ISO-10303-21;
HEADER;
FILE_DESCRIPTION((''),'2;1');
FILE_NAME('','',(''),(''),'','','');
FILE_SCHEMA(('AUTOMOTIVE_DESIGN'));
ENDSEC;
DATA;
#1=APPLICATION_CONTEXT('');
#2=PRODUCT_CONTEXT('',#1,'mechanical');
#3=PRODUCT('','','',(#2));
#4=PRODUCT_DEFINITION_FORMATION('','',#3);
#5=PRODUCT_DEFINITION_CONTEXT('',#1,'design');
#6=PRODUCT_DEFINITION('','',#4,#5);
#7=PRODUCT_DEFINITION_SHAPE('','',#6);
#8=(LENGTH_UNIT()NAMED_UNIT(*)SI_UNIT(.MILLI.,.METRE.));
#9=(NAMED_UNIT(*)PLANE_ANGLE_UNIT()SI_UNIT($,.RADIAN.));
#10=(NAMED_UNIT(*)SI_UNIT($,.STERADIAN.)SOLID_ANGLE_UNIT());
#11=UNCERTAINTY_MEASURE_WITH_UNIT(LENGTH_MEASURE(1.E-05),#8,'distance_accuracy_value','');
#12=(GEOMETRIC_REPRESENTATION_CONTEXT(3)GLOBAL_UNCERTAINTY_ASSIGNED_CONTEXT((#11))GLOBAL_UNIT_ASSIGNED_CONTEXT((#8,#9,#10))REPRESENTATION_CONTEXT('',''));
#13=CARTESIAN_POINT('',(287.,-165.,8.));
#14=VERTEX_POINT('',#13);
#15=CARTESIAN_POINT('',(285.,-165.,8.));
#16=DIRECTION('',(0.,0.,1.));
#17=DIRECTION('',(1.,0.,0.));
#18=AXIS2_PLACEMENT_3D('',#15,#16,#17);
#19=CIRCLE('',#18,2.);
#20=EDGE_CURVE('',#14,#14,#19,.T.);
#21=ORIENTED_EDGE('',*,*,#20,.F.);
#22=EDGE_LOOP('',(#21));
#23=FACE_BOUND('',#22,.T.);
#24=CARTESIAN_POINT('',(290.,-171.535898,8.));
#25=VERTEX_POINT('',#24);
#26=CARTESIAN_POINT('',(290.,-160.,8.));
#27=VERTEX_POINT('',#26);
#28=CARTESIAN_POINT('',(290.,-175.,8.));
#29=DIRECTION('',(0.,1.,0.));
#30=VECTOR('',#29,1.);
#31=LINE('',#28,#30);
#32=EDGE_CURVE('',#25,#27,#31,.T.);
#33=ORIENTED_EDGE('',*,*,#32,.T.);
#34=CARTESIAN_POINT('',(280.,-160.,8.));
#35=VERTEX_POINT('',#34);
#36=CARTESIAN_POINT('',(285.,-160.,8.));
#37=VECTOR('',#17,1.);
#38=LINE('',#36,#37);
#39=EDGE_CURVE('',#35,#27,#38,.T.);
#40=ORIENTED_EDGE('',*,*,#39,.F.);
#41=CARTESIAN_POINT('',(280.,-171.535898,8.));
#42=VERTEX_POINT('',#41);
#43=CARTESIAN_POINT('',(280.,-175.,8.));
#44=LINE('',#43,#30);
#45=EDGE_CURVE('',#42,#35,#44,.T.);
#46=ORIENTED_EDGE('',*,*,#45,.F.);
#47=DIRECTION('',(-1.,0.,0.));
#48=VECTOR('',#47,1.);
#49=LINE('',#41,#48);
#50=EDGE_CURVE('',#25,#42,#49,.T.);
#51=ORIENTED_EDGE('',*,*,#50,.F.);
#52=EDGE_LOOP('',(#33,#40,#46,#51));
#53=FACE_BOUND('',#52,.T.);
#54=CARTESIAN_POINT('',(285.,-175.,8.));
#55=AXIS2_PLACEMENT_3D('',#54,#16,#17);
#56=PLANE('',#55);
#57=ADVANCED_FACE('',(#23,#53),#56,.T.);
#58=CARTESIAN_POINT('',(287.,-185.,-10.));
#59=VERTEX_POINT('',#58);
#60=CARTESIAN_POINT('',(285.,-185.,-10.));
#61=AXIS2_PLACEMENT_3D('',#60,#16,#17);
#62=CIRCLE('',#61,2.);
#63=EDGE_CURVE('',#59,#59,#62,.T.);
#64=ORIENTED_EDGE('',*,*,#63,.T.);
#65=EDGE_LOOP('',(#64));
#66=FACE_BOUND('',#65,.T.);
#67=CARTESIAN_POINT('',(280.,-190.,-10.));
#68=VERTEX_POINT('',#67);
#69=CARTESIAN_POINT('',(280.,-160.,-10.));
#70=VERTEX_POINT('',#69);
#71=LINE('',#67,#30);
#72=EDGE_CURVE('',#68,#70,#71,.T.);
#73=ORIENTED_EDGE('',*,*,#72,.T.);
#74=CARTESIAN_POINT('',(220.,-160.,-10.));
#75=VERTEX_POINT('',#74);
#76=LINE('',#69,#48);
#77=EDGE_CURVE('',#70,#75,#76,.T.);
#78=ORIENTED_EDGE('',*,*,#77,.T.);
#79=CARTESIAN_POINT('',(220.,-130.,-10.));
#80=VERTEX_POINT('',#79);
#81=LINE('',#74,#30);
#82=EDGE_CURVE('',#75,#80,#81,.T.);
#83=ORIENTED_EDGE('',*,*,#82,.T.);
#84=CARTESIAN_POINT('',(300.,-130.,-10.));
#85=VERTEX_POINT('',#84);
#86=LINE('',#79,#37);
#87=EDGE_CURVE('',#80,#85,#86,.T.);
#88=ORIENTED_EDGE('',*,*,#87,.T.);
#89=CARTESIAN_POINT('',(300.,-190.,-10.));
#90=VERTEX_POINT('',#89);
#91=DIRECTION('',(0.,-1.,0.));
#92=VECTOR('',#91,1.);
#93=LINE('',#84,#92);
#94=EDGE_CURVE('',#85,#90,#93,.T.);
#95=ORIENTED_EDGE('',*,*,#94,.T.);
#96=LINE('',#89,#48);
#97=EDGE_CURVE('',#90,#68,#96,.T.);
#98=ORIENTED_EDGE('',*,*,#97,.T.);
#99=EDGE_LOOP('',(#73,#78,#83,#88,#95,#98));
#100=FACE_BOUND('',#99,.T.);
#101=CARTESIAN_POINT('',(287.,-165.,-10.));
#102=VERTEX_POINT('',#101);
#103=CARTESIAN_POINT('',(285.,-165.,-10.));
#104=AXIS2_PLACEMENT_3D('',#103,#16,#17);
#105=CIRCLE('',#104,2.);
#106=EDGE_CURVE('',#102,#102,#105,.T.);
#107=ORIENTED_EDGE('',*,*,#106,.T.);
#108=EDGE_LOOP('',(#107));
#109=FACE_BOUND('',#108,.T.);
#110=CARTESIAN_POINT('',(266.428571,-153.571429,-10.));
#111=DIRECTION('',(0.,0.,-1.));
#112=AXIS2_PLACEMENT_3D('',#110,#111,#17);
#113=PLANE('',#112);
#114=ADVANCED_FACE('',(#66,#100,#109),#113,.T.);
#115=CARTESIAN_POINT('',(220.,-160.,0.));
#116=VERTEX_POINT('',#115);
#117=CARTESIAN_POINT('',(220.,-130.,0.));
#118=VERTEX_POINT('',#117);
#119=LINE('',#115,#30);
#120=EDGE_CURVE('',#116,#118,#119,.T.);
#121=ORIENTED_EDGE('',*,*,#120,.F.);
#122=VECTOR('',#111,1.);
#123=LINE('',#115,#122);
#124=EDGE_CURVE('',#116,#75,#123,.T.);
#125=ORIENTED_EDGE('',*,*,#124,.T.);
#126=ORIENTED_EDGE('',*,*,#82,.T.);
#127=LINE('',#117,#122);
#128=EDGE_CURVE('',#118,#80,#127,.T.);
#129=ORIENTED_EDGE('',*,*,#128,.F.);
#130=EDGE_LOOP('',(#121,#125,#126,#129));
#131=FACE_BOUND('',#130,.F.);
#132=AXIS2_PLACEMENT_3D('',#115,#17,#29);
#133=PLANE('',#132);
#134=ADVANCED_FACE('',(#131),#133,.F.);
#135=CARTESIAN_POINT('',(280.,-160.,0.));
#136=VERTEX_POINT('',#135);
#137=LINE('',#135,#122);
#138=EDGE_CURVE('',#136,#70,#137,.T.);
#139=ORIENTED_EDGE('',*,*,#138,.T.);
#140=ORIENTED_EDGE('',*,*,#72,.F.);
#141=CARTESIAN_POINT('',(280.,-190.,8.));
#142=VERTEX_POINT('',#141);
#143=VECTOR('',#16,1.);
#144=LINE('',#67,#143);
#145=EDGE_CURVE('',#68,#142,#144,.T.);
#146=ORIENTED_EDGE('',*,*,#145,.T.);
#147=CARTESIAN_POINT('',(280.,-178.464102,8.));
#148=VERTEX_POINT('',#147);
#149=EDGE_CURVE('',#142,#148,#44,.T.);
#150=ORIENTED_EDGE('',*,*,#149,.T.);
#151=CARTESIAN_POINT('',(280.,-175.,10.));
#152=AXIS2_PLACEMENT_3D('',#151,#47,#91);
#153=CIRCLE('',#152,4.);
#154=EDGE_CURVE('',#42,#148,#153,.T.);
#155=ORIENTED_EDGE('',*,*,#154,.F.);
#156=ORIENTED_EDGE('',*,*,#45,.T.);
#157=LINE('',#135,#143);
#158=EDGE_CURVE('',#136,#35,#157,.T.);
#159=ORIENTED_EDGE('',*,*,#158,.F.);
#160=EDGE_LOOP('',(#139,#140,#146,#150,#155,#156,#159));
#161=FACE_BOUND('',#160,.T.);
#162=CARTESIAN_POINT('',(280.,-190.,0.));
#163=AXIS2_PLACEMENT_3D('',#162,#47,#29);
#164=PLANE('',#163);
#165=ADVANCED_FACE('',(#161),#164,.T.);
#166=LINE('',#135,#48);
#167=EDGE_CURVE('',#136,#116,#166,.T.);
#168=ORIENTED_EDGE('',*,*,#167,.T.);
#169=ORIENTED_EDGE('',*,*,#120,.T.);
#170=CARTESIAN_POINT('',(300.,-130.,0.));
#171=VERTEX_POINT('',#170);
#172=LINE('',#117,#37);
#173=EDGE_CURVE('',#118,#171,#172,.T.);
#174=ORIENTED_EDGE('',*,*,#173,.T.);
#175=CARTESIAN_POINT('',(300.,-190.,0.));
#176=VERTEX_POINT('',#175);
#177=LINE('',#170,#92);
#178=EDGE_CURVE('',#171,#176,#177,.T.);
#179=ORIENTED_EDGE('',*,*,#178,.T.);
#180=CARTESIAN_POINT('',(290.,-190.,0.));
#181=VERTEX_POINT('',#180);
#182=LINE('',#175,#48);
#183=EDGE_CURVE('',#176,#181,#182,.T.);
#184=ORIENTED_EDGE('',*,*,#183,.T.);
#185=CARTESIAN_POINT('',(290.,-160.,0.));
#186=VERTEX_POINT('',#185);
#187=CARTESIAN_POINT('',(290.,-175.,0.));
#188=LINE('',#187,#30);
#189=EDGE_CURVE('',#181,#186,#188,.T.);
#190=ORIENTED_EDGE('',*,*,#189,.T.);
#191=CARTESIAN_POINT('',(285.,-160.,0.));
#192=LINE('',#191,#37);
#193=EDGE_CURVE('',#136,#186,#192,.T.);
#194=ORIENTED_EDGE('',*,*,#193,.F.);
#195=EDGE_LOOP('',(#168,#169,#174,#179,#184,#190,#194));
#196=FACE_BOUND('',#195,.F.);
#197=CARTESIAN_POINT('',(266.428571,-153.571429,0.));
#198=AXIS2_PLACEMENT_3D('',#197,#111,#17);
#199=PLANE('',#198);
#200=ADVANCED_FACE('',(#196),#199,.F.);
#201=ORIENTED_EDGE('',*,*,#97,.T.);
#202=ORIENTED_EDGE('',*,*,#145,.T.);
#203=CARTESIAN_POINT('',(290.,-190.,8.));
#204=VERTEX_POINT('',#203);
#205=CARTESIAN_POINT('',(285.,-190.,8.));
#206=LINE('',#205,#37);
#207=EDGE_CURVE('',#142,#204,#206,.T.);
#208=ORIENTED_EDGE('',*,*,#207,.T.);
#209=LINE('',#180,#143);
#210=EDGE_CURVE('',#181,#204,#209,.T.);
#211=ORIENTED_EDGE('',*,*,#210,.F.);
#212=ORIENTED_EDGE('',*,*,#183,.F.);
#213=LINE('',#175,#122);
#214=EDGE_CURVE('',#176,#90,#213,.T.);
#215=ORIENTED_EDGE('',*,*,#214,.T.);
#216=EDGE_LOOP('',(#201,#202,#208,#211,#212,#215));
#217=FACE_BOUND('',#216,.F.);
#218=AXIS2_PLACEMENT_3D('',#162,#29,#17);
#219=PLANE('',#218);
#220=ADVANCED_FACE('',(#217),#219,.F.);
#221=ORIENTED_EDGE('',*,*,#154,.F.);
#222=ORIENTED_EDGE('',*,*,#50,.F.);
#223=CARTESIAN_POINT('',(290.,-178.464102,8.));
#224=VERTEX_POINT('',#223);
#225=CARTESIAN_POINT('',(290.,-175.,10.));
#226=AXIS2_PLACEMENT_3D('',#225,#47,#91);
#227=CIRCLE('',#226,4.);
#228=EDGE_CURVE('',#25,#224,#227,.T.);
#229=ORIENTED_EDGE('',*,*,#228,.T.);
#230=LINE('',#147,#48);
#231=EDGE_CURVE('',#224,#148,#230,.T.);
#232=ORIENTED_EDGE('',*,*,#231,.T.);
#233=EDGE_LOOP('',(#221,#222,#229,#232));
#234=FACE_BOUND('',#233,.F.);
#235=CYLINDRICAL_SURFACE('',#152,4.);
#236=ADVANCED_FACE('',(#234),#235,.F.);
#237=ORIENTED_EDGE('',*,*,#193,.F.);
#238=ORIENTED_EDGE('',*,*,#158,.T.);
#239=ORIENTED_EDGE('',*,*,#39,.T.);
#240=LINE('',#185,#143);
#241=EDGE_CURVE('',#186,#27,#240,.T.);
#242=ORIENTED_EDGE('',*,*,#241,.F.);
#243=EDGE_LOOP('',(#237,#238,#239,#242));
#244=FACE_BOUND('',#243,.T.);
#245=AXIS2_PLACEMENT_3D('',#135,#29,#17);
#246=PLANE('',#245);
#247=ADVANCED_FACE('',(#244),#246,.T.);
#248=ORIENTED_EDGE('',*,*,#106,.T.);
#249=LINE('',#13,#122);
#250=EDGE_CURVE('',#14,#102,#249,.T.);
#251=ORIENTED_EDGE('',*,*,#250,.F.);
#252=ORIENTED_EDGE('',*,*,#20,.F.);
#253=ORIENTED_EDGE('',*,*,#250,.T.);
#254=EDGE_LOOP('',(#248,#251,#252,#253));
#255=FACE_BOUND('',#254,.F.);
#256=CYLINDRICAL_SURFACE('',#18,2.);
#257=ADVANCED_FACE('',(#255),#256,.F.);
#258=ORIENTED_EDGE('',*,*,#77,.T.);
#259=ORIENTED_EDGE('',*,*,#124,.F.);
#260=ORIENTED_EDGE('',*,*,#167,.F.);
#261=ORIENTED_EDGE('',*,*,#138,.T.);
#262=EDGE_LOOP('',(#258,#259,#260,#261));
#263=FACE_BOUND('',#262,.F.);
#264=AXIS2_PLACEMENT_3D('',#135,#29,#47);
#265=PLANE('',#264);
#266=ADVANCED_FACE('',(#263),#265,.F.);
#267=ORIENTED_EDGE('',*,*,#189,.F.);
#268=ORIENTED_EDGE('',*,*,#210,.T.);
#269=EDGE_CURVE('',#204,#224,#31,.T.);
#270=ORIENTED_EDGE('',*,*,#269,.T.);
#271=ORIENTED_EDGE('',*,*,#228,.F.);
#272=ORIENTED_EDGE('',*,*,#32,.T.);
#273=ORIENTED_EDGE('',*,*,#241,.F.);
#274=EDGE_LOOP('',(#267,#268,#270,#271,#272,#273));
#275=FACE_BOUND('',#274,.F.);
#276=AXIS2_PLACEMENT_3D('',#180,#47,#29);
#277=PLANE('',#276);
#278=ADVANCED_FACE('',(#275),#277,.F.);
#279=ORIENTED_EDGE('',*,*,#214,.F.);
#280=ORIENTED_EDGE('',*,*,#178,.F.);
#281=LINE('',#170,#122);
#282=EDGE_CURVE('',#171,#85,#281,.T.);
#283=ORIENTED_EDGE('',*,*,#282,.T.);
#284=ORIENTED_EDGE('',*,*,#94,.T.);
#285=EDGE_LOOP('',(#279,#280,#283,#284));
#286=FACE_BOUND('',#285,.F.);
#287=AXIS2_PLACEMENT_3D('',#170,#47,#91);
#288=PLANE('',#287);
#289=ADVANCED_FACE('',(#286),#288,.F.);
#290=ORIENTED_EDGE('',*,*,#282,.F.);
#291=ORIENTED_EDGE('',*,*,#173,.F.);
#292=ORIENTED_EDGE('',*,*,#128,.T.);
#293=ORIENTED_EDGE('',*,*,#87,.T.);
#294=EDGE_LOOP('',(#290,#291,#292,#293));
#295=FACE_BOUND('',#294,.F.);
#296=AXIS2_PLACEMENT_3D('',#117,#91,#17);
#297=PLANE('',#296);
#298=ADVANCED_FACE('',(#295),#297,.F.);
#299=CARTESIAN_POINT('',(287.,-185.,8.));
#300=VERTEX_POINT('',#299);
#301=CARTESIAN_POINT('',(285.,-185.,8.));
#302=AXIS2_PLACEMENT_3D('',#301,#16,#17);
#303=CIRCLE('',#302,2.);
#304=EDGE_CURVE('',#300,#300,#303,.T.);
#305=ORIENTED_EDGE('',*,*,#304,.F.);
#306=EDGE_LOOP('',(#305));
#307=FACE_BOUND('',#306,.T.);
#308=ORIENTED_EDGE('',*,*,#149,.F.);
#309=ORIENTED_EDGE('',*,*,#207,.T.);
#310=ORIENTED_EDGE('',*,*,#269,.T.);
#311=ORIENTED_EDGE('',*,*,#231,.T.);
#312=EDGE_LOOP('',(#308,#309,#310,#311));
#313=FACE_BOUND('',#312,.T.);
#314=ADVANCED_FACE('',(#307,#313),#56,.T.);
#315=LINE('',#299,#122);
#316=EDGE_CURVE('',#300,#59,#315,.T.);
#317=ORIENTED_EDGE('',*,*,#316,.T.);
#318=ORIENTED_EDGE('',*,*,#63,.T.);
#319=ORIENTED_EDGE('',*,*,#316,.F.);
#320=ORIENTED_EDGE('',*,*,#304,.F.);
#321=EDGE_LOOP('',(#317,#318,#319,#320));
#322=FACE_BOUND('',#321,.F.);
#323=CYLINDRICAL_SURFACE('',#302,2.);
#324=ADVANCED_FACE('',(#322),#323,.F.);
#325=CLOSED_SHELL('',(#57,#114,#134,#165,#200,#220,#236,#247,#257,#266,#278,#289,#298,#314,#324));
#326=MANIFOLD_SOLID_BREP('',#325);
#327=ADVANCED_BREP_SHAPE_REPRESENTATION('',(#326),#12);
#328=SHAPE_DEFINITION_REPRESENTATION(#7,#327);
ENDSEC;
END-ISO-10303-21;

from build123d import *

# Parameters (mm, degrees)
PAD005_DEPTH    = 10
SKETCH009_W     = 10
SKETCH009_H     = 30
PAD006_DEPTH    = 8
SKETCH010_R     = 4
POCKET003_DEPTH = 10
SKETCH011_R     = 2
POCKET004_DEPTH = 20
SKETCH012_R     = 2
POCKET005_DEPTH = 20


with BuildPart() as part:
    # Sketch008 → Pad005 (new body)
    with BuildSketch(Plane(origin=(0, 0, 0), x_dir=(1, 0, 0), z_dir=(0, 0, -1))):
        Polygon((280, 160), (220, 160), (220, 130), (300, 130), (300, 190), (280, 190), align=None)
    extrude(amount=PAD005_DEPTH)

    # Sketch009 → Pad006 (new body)
    with BuildSketch(Plane.XY):
        with Locations((285, -175)):
            Rectangle(SKETCH009_W, SKETCH009_H)
    extrude(amount=PAD006_DEPTH)

    # Sketch010 → Pocket003 (cut)
    with BuildSketch(Plane(origin=(280, 0, 0), x_dir=(0, -1, 0), z_dir=(-1, 0, 0))):
        with Locations((175, 10)):
            Circle(SKETCH010_R)
    extrude(amount=-POCKET003_DEPTH, mode=Mode.SUBTRACT)

    # Sketch011 → Pocket004 (cut)
    with BuildSketch(Plane.XY.offset(8)):
        with Locations((285, -185)):
            Circle(SKETCH011_R)
    extrude(amount=-POCKET004_DEPTH, mode=Mode.SUBTRACT)

    # Sketch012 → Pocket005 (cut)
    with BuildSketch(Plane.XY.offset(8)):
        with Locations((285, -165)):
            Circle(SKETCH012_R)
    extrude(amount=-POCKET005_DEPTH, mode=Mode.SUBTRACT)


solid = part.part
